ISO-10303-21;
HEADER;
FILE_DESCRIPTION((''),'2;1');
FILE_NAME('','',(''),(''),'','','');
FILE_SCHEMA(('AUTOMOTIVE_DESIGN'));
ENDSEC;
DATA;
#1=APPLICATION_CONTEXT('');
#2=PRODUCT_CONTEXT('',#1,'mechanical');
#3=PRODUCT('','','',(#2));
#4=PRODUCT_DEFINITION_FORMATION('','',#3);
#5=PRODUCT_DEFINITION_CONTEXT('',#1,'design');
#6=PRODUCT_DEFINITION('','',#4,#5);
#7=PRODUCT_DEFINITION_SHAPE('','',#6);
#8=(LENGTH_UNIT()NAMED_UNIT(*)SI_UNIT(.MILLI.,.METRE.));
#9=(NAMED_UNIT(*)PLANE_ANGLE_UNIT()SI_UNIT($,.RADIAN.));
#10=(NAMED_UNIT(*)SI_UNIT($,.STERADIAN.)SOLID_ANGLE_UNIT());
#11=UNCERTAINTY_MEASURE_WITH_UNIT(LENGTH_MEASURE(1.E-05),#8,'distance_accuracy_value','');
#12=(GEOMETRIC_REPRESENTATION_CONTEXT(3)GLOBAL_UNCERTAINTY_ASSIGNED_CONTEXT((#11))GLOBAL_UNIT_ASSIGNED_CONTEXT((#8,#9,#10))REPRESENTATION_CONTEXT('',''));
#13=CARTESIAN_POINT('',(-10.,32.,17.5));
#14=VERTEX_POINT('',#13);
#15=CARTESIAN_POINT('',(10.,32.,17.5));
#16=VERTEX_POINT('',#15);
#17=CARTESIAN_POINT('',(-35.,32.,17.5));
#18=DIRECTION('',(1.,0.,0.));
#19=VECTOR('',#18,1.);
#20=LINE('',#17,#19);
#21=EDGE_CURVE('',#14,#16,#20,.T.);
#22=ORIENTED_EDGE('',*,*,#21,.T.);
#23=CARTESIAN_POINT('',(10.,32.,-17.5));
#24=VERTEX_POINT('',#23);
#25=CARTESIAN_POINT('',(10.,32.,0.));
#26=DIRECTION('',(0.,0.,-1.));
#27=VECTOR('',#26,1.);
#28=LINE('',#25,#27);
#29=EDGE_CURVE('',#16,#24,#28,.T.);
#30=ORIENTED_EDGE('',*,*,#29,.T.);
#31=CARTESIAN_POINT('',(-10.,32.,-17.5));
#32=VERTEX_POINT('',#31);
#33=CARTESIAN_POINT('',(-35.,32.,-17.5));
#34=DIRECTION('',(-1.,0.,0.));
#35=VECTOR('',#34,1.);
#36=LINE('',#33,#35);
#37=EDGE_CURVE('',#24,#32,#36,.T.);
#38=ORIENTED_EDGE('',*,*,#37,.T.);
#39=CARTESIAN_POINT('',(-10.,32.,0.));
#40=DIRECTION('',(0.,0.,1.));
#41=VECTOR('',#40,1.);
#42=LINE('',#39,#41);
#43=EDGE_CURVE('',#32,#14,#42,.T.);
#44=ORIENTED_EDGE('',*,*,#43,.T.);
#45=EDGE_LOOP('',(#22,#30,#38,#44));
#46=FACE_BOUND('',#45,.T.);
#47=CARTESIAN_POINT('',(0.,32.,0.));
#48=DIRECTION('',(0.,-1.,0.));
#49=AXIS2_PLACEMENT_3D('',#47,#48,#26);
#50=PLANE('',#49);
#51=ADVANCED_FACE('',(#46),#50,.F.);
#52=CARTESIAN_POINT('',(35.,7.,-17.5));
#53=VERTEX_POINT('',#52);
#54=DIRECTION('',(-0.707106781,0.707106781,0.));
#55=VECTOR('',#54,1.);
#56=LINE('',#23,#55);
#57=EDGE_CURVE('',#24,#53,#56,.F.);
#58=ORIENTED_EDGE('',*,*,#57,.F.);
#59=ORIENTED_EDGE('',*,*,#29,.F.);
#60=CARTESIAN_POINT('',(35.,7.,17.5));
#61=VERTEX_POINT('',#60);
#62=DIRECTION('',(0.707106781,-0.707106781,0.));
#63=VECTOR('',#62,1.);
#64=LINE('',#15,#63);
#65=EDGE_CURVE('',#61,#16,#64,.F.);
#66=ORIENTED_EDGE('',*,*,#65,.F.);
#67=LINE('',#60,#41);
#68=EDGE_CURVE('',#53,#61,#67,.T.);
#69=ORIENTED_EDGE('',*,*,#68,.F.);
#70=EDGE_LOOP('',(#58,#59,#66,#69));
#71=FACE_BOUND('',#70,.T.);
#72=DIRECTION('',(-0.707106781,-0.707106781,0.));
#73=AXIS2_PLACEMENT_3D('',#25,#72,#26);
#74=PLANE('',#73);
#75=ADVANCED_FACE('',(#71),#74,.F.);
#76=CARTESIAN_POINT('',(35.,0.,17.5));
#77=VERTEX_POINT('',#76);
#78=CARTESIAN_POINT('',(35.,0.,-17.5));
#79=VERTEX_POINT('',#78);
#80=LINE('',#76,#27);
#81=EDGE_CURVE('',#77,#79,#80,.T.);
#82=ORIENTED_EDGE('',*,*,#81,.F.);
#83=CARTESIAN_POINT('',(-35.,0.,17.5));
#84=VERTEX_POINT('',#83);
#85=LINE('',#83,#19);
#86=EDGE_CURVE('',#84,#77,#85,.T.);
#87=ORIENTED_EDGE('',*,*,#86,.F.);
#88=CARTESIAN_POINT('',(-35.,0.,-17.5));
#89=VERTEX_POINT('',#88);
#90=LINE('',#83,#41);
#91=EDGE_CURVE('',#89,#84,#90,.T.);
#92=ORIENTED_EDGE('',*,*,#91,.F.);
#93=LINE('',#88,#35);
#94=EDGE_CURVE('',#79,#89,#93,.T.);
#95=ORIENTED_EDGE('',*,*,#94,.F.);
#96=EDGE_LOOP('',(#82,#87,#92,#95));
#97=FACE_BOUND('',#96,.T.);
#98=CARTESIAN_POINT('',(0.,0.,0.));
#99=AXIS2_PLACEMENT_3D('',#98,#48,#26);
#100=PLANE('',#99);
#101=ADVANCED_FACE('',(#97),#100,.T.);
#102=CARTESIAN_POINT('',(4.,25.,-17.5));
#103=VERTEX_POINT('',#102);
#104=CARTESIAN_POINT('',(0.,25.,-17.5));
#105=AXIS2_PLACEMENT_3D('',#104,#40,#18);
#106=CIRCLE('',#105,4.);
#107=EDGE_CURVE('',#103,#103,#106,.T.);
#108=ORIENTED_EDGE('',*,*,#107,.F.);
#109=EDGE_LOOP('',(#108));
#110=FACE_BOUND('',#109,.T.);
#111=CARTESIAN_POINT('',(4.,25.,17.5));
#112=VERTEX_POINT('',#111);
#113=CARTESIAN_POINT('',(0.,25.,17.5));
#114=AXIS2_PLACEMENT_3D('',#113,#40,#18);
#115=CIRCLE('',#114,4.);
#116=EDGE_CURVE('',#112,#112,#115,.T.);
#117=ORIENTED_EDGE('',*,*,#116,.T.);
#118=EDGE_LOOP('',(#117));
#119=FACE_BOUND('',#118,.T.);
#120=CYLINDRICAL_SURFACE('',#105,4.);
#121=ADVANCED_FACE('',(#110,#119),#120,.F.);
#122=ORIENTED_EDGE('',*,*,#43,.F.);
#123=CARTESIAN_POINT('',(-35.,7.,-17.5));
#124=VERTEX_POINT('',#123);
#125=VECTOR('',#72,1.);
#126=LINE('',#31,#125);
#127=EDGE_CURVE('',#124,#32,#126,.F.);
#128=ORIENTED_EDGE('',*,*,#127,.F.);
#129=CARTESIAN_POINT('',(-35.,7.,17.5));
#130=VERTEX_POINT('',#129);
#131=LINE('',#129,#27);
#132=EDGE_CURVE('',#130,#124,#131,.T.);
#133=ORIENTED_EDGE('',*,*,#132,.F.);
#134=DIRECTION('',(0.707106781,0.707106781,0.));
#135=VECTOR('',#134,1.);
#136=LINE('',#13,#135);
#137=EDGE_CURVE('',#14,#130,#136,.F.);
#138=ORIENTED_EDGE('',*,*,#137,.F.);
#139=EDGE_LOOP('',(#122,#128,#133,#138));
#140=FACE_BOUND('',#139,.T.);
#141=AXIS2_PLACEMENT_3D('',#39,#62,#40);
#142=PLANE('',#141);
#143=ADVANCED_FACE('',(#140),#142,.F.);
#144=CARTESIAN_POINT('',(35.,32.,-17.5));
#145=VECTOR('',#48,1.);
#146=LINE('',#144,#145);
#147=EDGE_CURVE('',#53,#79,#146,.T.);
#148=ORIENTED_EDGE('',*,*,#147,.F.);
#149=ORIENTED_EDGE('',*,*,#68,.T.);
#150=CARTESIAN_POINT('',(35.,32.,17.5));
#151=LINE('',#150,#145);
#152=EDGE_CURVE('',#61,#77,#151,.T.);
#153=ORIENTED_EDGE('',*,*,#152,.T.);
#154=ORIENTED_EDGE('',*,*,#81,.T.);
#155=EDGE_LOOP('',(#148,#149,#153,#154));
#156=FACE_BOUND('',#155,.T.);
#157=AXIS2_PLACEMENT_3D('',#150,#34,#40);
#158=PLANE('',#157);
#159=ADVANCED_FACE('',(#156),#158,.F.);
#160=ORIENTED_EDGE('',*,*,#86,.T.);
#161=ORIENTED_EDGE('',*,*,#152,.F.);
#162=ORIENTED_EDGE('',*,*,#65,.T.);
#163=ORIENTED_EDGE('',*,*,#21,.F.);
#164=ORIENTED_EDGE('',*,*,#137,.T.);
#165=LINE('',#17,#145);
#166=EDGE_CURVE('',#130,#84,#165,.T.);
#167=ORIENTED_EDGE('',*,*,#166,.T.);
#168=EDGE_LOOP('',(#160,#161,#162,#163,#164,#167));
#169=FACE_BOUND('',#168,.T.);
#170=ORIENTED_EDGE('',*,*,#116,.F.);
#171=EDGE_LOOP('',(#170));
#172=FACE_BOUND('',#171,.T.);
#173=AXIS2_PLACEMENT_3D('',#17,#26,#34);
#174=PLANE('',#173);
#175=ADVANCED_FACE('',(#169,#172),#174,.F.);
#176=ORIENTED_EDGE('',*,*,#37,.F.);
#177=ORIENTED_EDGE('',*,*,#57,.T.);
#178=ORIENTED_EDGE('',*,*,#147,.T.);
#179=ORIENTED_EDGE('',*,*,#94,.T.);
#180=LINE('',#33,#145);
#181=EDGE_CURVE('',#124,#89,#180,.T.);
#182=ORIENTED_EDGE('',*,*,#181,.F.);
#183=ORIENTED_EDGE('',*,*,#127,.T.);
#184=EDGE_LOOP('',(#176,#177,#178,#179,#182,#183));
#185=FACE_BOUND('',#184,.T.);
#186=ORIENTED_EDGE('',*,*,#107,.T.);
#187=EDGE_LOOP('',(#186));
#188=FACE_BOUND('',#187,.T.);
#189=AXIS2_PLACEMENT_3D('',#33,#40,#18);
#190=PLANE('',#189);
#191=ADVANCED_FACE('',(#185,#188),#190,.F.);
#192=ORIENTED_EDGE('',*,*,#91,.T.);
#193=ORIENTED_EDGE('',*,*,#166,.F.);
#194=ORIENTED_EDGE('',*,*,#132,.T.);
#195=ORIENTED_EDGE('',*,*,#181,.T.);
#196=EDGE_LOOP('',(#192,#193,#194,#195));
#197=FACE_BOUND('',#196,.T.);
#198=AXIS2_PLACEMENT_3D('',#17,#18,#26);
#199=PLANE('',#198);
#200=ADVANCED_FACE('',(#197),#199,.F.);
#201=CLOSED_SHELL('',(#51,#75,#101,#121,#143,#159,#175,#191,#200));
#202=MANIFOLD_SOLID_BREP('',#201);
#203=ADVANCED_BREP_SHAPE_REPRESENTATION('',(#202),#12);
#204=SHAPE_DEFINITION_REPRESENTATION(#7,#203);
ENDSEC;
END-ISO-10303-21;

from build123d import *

# Parameters (mm, degrees)
SKETCH1_W           = 70
SKETCH1_H           = 35
BOSS_EXTRUDE1_DEPTH = 32
SKETCH2_R           = 4
CUT_EXTRUDE1_DEPTH  = 59.940648113
CHAMFER1_SIZE       = 25


with BuildPart() as part:
    # Sketch1 → Boss-Extrude1 (new body)
    with BuildSketch(Plane(origin=(0, 0, 0), x_dir=(1, 0, 0), z_dir=(0, 1, 0))):
        Rectangle(SKETCH1_W, SKETCH1_H)
    extrude(amount=BOSS_EXTRUDE1_DEPTH)

    # Sketch2 → Cut-Extrude1 (cut, through all)
    with BuildSketch(Plane.XY.offset(17.5)):
        with Locations((0, 25)):
            Circle(SKETCH2_R)
    extrude(amount=-CUT_EXTRUDE1_DEPTH, mode=Mode.SUBTRACT)

    # Chamfer1
    chamfer1_edges = [part.edges().sort_by_distance(p)[0] for p in [
        (-35, 32, 0),
        (35, 32, 0),
    ]]
    chamfer(chamfer1_edges, length=CHAMFER1_SIZE)


solid = part.part
